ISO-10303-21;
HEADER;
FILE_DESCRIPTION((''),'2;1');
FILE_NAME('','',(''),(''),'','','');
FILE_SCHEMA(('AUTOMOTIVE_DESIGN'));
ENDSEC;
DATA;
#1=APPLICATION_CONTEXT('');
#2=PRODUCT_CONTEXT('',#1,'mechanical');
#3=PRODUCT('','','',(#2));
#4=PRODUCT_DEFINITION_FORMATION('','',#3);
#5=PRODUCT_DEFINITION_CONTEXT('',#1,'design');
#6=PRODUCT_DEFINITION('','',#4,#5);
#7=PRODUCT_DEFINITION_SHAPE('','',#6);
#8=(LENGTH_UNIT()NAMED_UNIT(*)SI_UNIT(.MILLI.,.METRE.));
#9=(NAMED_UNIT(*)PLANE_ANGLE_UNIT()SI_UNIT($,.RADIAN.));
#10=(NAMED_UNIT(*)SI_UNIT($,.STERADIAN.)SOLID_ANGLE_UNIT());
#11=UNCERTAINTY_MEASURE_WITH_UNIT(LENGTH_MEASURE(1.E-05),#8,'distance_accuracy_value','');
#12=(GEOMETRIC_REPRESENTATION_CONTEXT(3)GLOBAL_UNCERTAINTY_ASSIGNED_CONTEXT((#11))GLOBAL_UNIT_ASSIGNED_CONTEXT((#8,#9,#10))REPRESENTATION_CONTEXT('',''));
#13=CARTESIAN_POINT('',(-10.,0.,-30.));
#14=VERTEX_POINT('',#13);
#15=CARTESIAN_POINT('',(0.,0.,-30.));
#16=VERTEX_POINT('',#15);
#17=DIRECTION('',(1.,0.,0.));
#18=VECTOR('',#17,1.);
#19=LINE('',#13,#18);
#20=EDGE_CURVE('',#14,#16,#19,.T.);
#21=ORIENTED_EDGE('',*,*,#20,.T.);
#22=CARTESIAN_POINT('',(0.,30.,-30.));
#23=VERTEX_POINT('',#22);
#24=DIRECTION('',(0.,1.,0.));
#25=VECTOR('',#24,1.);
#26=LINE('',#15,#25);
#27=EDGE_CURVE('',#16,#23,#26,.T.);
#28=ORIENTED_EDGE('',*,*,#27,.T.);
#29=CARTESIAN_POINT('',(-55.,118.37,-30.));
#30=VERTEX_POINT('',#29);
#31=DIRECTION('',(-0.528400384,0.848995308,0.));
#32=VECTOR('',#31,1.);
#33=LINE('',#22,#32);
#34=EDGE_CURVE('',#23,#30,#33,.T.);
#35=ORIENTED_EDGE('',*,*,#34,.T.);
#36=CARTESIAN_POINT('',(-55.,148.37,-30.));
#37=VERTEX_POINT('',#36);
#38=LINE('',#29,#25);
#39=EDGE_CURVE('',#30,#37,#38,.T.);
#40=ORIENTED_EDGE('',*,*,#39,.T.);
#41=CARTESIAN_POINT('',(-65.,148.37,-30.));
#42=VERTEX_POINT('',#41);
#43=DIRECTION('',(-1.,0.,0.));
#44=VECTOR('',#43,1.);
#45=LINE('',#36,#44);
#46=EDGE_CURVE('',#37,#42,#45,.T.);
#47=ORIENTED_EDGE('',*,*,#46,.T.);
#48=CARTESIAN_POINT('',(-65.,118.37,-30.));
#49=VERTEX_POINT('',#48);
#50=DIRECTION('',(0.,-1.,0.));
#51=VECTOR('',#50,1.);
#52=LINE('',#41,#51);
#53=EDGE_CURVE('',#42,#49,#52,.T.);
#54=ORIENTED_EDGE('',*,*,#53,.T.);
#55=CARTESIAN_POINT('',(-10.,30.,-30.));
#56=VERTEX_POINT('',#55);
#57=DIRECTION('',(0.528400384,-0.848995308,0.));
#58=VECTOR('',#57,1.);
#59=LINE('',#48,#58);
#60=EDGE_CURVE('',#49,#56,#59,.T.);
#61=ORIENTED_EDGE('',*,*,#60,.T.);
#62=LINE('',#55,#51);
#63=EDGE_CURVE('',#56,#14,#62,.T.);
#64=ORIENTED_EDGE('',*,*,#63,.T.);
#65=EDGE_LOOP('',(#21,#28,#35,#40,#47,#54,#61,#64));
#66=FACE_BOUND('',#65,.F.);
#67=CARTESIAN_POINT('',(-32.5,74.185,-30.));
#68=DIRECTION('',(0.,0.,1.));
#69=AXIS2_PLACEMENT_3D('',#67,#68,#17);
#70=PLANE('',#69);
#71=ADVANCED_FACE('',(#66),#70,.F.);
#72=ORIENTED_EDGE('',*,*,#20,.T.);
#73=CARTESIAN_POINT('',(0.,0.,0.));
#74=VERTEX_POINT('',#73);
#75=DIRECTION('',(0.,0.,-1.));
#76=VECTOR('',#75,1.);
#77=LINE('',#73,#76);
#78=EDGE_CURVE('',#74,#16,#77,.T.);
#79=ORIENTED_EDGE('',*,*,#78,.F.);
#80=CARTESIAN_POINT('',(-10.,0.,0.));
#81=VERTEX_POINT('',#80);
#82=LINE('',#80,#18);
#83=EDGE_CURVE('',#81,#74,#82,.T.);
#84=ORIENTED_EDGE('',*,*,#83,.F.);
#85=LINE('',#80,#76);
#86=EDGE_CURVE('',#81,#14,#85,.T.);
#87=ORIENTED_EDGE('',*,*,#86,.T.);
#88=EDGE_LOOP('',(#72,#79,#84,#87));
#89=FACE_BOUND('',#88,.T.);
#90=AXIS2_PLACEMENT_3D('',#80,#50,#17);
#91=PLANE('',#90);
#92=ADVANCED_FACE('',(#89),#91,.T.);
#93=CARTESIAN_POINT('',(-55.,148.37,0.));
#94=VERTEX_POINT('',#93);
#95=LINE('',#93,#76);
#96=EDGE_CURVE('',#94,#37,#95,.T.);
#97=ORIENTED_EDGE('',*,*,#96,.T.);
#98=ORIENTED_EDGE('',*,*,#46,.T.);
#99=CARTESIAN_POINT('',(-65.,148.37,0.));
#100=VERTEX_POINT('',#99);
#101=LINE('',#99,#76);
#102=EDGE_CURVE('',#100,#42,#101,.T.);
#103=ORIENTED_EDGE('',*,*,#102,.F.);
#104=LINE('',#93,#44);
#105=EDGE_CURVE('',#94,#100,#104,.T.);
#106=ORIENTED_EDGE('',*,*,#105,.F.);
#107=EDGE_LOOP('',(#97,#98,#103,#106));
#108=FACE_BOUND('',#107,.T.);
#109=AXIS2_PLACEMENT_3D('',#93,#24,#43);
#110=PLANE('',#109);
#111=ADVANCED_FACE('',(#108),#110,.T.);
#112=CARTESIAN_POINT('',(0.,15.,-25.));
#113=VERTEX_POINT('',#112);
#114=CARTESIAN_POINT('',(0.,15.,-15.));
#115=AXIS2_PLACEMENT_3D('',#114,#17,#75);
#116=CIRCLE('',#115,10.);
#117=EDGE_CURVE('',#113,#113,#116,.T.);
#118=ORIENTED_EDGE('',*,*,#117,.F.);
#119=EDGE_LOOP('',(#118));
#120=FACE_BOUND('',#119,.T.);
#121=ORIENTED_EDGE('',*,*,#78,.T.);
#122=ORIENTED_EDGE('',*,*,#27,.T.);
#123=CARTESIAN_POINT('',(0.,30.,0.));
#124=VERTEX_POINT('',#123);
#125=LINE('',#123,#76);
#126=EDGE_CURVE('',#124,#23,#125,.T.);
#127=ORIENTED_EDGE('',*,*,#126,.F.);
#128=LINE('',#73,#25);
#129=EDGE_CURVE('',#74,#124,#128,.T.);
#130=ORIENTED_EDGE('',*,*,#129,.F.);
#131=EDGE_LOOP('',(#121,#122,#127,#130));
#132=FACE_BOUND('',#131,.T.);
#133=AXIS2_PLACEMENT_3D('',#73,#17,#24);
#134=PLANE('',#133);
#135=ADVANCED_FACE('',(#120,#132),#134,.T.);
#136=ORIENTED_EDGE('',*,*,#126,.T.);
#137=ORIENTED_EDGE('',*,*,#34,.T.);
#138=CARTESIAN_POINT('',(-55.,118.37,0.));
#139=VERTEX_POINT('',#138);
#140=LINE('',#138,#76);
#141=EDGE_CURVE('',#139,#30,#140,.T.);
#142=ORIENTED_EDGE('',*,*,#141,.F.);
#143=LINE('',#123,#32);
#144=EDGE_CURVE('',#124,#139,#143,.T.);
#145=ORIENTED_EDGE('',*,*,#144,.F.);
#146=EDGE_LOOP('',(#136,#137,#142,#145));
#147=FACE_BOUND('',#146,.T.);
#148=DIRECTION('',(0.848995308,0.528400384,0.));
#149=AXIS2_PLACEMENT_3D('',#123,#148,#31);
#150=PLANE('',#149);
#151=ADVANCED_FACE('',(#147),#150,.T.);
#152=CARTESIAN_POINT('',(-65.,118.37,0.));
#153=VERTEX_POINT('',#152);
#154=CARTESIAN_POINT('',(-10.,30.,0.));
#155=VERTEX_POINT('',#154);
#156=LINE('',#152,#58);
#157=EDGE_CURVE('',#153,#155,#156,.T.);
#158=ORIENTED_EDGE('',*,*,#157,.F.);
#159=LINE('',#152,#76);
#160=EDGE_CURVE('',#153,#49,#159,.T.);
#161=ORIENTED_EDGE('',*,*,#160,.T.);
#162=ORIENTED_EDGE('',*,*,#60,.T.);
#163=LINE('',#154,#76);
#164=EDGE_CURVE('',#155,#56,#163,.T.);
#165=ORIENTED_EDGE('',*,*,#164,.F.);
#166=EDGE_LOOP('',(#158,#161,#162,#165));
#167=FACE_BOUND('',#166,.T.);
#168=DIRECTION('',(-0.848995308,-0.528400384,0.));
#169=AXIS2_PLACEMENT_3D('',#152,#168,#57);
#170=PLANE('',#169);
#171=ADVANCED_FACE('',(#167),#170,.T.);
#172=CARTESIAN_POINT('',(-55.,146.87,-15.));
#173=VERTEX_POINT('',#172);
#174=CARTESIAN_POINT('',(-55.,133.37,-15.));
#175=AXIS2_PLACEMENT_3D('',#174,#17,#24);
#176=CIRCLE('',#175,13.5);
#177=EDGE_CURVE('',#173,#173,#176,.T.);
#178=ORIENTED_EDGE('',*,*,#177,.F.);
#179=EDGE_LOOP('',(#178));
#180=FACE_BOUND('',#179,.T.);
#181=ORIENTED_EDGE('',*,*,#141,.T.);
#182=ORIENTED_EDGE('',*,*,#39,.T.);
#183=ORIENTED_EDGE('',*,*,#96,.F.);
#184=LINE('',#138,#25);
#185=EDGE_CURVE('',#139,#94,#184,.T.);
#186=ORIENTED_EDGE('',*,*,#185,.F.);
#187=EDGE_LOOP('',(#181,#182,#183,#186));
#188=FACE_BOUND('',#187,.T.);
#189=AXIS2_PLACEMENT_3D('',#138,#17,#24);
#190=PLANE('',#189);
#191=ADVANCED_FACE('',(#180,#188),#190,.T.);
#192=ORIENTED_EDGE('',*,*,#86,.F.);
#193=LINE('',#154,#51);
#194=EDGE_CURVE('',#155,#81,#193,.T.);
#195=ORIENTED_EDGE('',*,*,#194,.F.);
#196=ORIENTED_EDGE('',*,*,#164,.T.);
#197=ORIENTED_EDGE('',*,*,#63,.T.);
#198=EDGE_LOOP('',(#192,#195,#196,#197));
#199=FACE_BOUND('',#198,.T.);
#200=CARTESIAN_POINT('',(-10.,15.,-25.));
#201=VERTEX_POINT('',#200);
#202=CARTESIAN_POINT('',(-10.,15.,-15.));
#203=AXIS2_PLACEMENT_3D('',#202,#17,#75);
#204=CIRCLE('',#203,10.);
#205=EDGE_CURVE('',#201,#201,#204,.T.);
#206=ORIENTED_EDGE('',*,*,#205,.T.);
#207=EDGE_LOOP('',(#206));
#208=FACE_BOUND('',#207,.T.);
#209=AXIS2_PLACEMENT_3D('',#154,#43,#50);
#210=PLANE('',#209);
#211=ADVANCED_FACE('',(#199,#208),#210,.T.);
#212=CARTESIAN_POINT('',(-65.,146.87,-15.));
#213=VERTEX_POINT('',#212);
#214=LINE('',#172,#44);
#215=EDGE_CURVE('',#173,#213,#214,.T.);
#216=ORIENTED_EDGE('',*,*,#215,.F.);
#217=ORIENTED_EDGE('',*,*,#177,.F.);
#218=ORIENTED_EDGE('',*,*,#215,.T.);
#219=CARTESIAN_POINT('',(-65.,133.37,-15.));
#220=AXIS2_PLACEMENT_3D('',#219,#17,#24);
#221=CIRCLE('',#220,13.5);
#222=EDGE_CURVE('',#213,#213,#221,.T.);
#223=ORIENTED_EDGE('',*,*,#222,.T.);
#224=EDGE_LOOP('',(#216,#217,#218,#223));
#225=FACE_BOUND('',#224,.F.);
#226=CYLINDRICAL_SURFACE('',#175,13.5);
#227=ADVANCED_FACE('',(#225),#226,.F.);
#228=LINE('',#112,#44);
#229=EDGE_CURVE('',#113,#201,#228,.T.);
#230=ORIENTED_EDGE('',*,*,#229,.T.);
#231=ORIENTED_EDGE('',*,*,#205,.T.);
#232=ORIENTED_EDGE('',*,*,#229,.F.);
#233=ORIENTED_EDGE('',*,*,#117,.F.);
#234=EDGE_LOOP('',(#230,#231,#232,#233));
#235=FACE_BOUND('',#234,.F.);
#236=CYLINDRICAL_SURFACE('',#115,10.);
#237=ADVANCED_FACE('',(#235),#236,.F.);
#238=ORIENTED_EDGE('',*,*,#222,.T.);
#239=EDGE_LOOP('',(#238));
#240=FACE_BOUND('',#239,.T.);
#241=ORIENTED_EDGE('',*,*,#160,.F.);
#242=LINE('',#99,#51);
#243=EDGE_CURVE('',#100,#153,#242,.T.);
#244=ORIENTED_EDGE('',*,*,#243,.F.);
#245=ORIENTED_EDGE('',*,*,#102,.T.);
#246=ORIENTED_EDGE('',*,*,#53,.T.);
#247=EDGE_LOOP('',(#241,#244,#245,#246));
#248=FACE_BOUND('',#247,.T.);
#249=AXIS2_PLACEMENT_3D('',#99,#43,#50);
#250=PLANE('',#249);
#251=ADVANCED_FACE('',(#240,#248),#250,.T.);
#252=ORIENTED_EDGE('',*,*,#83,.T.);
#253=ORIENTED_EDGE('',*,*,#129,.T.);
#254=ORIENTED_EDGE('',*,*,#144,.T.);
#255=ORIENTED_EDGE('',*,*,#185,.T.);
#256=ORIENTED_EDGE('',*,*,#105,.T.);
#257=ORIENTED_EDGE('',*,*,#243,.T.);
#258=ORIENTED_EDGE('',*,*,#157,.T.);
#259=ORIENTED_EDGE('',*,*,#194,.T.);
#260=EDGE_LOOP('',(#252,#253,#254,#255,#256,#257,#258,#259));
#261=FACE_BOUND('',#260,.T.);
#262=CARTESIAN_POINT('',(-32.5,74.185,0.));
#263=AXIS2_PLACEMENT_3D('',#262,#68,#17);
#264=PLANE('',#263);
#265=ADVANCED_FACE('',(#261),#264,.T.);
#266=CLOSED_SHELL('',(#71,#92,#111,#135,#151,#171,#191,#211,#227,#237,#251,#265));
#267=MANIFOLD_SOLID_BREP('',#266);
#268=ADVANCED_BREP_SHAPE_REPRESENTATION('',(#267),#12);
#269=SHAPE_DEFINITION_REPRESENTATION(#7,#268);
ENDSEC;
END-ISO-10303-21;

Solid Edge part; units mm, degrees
sketch "Sketch1" plane through (0, 0, 0) normal (0, 0, 1) x (1, 0, 0)
  line L0 (-65, 148.37) -> (-65, 118.37)
  line L1 (-65, 118.37) -> (-10, 30)
  line L2 (-10, 30) -> (-10, 0)
  line L3 (-10, 0) -> (0, 0)
  line L4 (0, 0) -> (0, 30)
  line L5 (0, 30) -> (-55, 118.37)
  line L6 (-55, 118.37) -> (-55, 148.37)
  line L7 (-55, 148.37) -> (-65, 148.37)
  dimension "D1" = 10
  dimension "D2" = 10
  dimension "D3" = 30
  dimension "D4" = 30
  dimension "D5" = 55
  dimension "D6" = 118.37
extrude "Protrusion1" add sketch "Sketch1" against normal blind 30
sketch "Sketch2" plane through (-55, 32.2656, -20) normal (1, 0, 0) x (0, 1, 0)
  circle A0 centre (101.1044, 5) radius 13.5
  dimension "D1" = 27
extrude "Cutout1" cut sketch "Sketch2" against normal up to next
sketch "Sketch3" plane through (0, 15, -15) normal (1, 0, 0) x (0, 0, -1)
  circle A0 centre (0, 0) radius 10
  dimension "D1" = 20
extrude "Cutout2" cut sketch "Sketch3" against normal up to next
